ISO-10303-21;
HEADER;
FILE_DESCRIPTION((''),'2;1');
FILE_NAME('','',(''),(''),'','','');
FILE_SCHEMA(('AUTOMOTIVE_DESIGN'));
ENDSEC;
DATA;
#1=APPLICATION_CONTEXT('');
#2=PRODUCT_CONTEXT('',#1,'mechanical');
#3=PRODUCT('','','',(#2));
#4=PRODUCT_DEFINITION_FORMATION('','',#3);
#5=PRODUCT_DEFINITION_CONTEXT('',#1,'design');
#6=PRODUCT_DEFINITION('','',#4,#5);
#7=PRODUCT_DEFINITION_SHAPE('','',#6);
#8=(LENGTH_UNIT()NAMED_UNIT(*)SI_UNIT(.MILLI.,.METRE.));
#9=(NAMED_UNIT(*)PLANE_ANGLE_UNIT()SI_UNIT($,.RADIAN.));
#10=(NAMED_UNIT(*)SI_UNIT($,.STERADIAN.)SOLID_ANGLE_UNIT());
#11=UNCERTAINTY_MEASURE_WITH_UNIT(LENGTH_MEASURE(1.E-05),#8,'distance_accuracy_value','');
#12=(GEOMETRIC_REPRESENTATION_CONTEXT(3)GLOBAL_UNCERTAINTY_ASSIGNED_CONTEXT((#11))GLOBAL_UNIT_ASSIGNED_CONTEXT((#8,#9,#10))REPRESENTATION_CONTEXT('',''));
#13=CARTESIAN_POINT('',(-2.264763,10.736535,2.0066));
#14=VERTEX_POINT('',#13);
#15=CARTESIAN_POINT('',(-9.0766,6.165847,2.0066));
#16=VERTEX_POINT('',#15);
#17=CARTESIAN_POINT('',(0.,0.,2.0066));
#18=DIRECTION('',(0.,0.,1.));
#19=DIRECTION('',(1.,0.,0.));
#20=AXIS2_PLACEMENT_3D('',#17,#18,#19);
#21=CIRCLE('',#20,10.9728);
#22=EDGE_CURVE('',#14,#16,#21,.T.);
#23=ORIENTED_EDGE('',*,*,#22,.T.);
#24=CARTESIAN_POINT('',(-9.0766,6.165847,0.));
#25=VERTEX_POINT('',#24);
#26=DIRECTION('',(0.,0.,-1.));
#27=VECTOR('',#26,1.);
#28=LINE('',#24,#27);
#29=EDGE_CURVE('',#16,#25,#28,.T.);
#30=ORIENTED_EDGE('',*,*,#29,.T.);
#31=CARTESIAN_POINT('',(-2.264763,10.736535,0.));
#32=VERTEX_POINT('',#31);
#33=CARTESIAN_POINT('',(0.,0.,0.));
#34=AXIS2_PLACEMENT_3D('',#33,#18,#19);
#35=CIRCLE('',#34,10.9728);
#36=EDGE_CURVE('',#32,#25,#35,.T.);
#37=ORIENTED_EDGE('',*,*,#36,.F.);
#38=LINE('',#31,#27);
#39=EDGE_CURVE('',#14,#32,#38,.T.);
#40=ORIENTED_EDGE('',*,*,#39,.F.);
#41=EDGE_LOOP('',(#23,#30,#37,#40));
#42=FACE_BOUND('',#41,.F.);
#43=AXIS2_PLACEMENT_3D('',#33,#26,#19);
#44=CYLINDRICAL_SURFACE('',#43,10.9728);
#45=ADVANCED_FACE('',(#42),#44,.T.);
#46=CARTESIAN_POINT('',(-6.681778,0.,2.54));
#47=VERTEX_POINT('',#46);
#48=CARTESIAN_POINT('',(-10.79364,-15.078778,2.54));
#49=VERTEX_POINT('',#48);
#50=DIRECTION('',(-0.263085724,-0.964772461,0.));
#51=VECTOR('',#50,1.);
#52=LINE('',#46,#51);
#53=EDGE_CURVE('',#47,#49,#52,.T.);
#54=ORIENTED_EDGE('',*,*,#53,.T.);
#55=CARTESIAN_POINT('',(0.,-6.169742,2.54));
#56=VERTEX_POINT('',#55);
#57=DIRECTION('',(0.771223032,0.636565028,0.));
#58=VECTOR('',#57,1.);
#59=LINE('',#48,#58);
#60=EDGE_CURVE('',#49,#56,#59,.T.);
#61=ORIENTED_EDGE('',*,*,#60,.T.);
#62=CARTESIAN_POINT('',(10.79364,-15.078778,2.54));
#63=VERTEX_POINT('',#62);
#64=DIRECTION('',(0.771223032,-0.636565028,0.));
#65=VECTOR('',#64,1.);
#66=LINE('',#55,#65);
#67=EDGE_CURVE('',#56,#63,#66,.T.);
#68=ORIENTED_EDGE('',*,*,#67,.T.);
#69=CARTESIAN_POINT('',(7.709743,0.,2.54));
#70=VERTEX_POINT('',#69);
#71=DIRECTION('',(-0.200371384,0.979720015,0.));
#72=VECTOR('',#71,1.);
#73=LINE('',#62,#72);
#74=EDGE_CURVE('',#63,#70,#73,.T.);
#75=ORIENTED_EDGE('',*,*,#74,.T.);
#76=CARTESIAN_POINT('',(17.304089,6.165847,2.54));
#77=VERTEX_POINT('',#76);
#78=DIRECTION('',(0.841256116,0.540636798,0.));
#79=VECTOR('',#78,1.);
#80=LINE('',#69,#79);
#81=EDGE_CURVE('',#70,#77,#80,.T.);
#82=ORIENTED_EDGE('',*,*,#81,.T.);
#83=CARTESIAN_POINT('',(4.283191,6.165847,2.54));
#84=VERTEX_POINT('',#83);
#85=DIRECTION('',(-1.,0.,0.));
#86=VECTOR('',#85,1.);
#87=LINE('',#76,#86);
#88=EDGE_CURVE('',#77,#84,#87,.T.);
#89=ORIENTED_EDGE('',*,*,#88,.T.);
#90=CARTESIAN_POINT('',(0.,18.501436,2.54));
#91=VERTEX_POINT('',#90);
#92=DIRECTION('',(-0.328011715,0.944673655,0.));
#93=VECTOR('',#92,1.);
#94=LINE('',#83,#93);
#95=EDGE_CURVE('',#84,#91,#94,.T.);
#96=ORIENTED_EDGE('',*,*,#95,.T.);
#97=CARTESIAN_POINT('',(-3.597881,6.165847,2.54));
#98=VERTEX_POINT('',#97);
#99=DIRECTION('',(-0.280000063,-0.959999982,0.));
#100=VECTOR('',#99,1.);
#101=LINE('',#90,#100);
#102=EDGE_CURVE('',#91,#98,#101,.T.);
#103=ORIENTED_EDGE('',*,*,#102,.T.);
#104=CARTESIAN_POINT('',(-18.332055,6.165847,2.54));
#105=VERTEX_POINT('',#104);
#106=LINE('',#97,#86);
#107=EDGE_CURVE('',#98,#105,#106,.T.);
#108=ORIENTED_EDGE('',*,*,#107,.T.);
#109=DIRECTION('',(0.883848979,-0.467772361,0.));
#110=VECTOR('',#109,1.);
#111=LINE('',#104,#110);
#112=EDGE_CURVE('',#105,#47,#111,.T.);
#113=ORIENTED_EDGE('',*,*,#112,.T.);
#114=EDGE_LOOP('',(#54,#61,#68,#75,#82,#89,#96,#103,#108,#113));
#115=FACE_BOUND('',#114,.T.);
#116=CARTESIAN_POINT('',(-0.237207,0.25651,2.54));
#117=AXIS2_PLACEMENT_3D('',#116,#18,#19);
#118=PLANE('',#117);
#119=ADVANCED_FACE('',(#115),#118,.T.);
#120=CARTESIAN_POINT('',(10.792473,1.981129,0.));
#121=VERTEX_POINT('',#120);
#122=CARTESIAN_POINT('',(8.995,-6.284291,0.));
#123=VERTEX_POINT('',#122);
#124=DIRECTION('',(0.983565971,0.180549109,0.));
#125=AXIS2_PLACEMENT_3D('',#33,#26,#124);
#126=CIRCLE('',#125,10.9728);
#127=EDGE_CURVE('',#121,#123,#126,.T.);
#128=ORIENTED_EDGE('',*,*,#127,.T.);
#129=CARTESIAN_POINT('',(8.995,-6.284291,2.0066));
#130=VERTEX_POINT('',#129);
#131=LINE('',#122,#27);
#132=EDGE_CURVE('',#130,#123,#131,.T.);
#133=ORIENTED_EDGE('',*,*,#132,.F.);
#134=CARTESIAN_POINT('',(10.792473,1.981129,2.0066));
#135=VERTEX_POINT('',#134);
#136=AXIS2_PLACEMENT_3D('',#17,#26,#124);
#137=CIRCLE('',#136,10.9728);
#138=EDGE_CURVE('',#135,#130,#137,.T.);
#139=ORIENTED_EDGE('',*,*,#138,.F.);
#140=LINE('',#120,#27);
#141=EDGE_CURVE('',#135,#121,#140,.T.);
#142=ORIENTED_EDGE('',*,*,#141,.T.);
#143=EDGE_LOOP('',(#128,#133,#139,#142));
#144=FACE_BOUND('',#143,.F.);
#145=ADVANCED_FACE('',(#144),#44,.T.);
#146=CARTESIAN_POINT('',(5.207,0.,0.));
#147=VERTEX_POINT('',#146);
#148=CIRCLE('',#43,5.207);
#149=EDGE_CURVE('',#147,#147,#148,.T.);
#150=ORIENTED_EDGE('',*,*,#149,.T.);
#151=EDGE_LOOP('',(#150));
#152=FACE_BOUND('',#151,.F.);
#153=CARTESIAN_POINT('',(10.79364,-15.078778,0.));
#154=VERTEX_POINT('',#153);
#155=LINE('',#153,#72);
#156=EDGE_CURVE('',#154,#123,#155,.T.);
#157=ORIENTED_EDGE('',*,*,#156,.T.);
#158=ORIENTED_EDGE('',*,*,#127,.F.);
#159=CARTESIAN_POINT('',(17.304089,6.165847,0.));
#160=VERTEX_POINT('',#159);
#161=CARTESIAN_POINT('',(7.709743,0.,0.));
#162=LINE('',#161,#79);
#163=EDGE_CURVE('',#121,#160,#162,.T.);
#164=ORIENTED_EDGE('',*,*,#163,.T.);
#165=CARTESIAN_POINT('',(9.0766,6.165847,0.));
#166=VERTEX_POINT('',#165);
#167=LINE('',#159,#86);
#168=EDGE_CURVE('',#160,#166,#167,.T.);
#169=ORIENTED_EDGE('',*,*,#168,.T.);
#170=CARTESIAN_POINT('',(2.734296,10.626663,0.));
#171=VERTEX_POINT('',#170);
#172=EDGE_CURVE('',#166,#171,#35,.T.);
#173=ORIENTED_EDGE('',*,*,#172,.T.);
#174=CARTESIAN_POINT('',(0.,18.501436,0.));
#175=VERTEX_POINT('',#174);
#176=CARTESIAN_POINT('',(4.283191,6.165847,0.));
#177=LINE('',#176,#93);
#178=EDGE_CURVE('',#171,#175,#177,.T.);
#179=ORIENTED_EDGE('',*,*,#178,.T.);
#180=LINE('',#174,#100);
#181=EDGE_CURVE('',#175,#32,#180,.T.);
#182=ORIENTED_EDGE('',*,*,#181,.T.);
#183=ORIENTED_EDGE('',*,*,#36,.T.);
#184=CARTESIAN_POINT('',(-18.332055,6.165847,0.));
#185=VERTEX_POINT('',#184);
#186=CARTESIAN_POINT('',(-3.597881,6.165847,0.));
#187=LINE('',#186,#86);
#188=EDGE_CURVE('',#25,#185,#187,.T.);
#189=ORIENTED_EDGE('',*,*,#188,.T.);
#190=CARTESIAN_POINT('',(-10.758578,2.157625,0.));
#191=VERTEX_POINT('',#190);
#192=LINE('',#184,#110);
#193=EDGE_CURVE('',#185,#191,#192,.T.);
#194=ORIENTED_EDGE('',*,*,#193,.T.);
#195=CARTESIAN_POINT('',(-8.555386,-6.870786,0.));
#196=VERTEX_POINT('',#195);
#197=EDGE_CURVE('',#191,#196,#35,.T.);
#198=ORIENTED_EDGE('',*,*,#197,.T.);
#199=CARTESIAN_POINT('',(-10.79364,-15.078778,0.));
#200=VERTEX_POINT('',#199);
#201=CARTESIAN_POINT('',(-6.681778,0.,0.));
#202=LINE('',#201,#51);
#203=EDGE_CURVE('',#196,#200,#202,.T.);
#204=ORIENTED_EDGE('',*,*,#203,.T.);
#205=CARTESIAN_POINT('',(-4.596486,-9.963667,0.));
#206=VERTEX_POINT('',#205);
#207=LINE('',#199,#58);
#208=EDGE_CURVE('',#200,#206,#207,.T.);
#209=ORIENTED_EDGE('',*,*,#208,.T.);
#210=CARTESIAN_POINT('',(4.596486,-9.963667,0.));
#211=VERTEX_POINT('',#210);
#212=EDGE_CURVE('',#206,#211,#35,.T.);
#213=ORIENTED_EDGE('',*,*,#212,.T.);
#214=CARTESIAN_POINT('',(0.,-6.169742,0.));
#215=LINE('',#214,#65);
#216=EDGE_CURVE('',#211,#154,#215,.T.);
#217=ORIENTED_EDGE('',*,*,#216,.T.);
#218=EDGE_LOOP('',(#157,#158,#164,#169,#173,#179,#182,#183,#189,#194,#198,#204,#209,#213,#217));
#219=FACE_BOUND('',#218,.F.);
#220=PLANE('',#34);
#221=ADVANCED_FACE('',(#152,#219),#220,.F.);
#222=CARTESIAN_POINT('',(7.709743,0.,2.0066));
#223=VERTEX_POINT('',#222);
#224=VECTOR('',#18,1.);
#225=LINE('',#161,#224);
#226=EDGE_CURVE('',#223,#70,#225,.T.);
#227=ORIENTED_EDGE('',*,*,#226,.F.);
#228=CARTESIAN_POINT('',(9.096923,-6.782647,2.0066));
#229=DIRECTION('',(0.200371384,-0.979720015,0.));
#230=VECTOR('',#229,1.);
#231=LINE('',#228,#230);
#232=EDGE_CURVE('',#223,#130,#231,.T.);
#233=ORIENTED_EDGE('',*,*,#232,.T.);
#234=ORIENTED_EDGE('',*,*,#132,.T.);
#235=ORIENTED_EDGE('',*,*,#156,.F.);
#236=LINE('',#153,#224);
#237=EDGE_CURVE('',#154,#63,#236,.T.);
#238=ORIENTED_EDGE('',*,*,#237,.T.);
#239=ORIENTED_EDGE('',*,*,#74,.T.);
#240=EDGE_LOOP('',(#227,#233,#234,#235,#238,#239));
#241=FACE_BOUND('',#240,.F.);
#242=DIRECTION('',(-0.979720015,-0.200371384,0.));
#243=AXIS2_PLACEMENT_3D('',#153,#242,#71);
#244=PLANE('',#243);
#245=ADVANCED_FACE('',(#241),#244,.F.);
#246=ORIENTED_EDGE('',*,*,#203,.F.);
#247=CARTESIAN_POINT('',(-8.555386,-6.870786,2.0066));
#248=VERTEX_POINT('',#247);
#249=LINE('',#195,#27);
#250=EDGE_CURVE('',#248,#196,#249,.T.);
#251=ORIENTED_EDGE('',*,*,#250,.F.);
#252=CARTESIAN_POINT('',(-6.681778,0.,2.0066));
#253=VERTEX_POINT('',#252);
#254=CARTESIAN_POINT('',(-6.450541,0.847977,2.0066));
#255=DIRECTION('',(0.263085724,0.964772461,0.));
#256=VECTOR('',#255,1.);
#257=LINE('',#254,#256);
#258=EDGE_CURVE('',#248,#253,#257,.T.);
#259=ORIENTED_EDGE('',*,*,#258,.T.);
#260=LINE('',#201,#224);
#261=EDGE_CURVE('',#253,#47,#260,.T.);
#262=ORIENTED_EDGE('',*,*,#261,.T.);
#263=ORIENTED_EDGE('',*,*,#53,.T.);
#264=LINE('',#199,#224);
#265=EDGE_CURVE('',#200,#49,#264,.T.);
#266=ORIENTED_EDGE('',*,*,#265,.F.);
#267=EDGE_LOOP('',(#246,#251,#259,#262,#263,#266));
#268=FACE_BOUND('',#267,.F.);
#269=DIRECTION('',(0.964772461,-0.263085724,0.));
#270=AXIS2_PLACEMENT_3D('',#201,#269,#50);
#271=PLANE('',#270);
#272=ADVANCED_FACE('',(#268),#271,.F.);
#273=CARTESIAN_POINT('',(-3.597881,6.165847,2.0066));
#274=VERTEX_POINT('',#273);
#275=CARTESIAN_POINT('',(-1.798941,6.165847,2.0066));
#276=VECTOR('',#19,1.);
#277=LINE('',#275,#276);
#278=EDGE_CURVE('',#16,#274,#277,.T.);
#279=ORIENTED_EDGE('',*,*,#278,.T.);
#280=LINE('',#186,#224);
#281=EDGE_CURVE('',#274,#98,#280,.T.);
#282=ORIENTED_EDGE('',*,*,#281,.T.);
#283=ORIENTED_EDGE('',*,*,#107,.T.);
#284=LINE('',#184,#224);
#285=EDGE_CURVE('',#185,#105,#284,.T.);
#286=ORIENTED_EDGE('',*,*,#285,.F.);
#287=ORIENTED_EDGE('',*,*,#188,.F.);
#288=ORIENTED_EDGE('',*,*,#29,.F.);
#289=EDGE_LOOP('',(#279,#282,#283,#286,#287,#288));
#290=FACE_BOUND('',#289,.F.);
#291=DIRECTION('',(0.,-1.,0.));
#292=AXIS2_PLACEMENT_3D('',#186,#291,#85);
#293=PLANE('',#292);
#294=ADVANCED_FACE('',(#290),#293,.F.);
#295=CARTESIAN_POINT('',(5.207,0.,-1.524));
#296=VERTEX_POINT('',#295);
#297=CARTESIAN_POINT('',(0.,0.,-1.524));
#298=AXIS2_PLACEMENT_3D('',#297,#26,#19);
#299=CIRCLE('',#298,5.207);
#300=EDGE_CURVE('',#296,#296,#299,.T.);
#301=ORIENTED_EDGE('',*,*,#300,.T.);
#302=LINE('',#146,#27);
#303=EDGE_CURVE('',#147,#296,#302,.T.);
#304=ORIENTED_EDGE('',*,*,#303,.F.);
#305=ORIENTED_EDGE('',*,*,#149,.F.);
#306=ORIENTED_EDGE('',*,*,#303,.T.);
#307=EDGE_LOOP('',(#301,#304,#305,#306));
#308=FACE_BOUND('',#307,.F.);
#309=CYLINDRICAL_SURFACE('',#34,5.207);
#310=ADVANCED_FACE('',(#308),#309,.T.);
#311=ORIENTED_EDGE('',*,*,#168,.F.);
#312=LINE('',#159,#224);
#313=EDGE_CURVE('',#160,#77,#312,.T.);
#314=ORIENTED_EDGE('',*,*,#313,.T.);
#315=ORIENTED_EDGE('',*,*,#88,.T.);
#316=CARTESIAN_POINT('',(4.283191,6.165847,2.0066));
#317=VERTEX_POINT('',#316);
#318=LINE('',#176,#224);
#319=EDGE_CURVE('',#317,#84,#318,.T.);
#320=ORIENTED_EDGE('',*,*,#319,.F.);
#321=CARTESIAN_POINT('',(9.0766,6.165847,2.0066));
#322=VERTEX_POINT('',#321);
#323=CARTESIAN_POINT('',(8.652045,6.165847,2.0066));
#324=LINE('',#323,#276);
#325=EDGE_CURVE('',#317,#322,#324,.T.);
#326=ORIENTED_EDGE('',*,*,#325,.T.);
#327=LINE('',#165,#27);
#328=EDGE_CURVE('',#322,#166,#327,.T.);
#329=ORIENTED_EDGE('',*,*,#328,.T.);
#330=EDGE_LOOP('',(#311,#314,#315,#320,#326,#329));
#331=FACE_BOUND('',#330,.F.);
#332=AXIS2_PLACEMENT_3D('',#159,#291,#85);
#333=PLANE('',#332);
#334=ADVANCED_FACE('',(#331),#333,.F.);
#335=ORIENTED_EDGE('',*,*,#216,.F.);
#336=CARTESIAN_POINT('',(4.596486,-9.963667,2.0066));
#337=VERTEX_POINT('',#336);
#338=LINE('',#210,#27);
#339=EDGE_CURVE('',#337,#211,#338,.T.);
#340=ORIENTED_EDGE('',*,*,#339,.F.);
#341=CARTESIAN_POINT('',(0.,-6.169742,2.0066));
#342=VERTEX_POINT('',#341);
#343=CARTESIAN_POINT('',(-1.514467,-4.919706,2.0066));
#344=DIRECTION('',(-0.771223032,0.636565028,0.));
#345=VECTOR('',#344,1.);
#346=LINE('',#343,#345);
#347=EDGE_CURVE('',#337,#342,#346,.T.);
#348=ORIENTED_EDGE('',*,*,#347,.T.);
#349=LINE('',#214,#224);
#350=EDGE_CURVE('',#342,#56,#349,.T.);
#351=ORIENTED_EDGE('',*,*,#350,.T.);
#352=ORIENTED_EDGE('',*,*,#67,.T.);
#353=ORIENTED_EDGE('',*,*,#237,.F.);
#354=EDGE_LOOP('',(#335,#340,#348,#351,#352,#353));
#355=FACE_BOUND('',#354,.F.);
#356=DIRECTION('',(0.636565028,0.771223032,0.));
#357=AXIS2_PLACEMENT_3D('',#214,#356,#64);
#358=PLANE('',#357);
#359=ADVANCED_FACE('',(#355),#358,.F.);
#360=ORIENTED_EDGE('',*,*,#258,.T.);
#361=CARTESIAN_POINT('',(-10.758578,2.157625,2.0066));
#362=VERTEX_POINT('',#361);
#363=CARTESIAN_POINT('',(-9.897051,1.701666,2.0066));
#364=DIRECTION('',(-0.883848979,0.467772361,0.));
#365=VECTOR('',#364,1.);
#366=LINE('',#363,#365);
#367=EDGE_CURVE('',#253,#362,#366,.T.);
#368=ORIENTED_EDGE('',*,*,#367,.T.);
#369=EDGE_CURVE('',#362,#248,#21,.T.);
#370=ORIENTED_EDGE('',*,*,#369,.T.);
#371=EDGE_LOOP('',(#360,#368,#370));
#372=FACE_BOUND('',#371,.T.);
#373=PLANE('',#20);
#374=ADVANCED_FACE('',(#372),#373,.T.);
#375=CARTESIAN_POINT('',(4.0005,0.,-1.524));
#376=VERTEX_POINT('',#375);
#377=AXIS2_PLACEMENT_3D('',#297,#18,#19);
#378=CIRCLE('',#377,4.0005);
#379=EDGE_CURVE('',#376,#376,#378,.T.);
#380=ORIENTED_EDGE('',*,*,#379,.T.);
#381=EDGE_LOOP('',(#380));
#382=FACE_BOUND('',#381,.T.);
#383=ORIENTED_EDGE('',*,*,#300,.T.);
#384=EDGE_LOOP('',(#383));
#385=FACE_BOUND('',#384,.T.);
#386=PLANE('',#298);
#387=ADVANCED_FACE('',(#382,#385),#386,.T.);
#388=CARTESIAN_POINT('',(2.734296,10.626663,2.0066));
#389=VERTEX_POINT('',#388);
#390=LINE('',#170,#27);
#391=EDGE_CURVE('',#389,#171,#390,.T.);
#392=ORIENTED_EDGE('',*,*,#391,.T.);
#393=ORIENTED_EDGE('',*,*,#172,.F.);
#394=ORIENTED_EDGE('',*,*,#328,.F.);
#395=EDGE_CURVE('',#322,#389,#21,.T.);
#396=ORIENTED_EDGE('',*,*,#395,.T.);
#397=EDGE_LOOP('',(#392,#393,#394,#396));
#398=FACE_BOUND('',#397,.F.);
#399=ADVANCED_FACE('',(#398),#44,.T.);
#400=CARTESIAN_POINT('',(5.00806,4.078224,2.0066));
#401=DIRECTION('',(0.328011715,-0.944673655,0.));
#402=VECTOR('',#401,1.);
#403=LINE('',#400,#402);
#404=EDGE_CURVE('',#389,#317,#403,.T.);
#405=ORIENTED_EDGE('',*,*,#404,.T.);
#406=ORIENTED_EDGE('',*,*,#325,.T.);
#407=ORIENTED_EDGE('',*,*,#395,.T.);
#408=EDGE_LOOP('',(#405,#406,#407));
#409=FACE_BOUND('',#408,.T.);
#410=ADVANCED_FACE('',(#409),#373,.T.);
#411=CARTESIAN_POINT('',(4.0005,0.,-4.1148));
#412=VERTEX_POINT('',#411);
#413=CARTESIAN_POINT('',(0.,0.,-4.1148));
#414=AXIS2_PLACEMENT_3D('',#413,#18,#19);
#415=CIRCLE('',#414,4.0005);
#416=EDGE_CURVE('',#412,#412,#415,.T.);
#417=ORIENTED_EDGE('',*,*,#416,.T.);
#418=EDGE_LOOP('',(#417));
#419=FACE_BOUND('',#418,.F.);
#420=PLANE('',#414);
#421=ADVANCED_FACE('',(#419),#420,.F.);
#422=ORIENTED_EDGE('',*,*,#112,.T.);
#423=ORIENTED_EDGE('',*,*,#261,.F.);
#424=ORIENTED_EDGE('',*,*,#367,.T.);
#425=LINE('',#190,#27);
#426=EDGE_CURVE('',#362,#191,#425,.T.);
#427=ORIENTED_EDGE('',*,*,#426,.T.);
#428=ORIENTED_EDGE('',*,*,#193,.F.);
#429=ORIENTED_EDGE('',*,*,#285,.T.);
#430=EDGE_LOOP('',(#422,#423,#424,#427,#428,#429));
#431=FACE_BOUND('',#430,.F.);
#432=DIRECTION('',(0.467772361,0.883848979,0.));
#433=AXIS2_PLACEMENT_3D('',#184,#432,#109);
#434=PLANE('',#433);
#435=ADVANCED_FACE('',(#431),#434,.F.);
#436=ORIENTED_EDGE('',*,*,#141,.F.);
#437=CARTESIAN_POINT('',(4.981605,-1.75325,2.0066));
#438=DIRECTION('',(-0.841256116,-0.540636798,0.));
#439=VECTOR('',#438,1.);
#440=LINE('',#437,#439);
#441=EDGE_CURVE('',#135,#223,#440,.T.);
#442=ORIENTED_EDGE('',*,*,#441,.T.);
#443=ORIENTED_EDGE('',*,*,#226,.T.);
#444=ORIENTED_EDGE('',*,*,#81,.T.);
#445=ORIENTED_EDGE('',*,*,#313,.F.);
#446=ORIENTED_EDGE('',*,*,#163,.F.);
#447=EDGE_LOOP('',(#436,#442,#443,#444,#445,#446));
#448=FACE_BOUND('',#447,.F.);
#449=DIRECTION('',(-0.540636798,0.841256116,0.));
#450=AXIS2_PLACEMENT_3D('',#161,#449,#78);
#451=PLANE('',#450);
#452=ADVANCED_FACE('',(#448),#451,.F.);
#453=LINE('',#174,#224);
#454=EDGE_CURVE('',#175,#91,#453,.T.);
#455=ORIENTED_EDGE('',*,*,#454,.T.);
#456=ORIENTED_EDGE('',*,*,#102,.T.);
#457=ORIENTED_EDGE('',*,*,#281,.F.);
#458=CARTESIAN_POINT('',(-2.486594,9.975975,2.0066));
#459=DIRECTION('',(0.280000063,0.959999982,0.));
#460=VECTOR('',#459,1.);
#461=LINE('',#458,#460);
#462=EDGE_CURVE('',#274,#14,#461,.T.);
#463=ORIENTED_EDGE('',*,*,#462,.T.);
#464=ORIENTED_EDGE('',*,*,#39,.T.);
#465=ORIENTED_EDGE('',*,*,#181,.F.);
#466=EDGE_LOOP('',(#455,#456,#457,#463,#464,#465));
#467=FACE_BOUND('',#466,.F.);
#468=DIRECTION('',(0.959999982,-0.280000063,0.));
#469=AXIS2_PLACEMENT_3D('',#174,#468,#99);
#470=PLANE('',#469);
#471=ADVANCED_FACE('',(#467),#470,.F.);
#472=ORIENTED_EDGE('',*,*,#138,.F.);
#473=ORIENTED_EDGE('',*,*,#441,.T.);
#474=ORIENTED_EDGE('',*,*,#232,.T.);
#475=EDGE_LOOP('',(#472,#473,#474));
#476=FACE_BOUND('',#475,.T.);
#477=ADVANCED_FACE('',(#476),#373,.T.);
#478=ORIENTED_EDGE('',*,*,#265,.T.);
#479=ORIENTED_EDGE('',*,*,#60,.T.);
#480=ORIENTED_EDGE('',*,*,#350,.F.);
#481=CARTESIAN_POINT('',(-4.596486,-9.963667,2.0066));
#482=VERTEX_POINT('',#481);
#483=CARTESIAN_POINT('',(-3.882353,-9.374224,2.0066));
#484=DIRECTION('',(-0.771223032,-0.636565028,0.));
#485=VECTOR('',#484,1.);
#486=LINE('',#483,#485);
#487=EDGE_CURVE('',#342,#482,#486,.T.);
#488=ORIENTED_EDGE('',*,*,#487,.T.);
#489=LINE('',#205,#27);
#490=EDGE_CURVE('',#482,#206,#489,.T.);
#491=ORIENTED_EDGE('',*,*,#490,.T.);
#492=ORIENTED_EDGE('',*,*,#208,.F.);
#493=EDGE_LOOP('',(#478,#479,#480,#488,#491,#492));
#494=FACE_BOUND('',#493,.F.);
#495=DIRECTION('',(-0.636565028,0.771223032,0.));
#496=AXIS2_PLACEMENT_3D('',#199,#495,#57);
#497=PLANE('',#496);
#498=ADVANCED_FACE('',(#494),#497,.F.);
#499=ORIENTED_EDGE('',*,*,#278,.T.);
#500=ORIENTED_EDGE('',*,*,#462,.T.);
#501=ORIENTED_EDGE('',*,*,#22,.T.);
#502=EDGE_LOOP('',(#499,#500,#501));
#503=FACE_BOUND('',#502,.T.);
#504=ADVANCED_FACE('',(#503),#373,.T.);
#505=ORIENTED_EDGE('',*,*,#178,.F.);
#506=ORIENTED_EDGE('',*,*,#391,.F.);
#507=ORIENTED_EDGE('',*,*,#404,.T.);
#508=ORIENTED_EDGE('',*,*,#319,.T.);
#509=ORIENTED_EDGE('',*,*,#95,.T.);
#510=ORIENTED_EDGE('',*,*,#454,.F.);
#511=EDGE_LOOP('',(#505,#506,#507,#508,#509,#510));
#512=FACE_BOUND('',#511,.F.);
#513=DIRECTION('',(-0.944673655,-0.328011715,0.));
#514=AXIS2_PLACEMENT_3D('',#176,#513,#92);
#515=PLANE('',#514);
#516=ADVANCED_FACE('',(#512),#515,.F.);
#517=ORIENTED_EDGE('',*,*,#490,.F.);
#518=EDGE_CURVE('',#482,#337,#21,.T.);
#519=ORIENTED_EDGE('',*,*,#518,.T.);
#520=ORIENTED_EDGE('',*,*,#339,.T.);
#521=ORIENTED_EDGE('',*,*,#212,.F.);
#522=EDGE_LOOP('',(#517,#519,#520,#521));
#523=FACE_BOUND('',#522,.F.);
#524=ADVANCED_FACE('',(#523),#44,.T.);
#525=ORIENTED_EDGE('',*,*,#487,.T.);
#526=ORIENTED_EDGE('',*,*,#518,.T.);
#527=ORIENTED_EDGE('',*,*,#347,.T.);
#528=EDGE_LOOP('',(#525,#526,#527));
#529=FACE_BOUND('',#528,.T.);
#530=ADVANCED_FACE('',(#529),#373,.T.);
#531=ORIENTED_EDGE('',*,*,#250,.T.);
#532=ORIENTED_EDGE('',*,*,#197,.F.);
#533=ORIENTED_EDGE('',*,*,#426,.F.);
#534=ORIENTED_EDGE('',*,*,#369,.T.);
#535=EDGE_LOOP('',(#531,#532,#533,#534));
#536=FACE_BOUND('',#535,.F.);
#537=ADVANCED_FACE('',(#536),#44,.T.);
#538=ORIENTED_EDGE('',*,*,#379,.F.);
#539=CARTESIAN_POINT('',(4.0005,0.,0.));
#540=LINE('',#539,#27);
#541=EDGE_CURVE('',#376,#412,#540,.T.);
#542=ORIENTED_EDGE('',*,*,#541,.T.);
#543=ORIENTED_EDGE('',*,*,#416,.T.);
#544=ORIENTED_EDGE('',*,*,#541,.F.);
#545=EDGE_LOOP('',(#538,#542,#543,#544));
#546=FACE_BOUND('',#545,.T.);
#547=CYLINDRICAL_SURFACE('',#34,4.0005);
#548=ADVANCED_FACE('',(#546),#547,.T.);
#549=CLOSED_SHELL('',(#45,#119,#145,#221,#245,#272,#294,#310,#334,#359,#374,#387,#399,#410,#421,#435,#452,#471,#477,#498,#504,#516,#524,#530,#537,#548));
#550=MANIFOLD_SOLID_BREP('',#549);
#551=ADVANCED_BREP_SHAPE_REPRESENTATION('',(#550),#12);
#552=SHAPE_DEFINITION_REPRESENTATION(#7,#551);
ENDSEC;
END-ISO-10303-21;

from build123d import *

# Parameters (mm, degrees)
F0_R     = 10.9728
F1_DEPTH = 2.0066
F2_R     = 5.207
F3_DEPTH = 1.524
F4_R     = 4.0005
F5_DEPTH = 4.1148
F8_DEPTH = 2.54


with BuildPart() as f1:
    # F0 (on Top) → F1 (new body)
    with BuildSketch(Plane.XY):
        Circle(F0_R)
    extrude(amount=F1_DEPTH)

    # F2 (on face) → F3 (join)
    with BuildSketch(Plane(origin=(0, 0, 0), x_dir=(1, 0, 0), z_dir=(0, 0, -1))):
        Circle(F2_R)
    extrude(amount=F3_DEPTH)

    # F4 (on Top) → F5 (join)
    with BuildSketch(Plane.XY):
        Circle(F4_R)
    extrude(amount=-F5_DEPTH)

    # F7 (on face) → F8 (join)
    with BuildSketch(Plane.XY):
        Polygon((4.283191, 6.165847), (0, 18.501436), (-3.597881, 6.165847), (-18.332055, 6.165847), (-6.681778, 0), (-10.79364, -15.078778), (0, -6.169742), (10.79364, -15.078778), (7.709743, 0), (17.304089, 6.165847), align=None)
    extrude(amount=F8_DEPTH)


solid = f1.part
